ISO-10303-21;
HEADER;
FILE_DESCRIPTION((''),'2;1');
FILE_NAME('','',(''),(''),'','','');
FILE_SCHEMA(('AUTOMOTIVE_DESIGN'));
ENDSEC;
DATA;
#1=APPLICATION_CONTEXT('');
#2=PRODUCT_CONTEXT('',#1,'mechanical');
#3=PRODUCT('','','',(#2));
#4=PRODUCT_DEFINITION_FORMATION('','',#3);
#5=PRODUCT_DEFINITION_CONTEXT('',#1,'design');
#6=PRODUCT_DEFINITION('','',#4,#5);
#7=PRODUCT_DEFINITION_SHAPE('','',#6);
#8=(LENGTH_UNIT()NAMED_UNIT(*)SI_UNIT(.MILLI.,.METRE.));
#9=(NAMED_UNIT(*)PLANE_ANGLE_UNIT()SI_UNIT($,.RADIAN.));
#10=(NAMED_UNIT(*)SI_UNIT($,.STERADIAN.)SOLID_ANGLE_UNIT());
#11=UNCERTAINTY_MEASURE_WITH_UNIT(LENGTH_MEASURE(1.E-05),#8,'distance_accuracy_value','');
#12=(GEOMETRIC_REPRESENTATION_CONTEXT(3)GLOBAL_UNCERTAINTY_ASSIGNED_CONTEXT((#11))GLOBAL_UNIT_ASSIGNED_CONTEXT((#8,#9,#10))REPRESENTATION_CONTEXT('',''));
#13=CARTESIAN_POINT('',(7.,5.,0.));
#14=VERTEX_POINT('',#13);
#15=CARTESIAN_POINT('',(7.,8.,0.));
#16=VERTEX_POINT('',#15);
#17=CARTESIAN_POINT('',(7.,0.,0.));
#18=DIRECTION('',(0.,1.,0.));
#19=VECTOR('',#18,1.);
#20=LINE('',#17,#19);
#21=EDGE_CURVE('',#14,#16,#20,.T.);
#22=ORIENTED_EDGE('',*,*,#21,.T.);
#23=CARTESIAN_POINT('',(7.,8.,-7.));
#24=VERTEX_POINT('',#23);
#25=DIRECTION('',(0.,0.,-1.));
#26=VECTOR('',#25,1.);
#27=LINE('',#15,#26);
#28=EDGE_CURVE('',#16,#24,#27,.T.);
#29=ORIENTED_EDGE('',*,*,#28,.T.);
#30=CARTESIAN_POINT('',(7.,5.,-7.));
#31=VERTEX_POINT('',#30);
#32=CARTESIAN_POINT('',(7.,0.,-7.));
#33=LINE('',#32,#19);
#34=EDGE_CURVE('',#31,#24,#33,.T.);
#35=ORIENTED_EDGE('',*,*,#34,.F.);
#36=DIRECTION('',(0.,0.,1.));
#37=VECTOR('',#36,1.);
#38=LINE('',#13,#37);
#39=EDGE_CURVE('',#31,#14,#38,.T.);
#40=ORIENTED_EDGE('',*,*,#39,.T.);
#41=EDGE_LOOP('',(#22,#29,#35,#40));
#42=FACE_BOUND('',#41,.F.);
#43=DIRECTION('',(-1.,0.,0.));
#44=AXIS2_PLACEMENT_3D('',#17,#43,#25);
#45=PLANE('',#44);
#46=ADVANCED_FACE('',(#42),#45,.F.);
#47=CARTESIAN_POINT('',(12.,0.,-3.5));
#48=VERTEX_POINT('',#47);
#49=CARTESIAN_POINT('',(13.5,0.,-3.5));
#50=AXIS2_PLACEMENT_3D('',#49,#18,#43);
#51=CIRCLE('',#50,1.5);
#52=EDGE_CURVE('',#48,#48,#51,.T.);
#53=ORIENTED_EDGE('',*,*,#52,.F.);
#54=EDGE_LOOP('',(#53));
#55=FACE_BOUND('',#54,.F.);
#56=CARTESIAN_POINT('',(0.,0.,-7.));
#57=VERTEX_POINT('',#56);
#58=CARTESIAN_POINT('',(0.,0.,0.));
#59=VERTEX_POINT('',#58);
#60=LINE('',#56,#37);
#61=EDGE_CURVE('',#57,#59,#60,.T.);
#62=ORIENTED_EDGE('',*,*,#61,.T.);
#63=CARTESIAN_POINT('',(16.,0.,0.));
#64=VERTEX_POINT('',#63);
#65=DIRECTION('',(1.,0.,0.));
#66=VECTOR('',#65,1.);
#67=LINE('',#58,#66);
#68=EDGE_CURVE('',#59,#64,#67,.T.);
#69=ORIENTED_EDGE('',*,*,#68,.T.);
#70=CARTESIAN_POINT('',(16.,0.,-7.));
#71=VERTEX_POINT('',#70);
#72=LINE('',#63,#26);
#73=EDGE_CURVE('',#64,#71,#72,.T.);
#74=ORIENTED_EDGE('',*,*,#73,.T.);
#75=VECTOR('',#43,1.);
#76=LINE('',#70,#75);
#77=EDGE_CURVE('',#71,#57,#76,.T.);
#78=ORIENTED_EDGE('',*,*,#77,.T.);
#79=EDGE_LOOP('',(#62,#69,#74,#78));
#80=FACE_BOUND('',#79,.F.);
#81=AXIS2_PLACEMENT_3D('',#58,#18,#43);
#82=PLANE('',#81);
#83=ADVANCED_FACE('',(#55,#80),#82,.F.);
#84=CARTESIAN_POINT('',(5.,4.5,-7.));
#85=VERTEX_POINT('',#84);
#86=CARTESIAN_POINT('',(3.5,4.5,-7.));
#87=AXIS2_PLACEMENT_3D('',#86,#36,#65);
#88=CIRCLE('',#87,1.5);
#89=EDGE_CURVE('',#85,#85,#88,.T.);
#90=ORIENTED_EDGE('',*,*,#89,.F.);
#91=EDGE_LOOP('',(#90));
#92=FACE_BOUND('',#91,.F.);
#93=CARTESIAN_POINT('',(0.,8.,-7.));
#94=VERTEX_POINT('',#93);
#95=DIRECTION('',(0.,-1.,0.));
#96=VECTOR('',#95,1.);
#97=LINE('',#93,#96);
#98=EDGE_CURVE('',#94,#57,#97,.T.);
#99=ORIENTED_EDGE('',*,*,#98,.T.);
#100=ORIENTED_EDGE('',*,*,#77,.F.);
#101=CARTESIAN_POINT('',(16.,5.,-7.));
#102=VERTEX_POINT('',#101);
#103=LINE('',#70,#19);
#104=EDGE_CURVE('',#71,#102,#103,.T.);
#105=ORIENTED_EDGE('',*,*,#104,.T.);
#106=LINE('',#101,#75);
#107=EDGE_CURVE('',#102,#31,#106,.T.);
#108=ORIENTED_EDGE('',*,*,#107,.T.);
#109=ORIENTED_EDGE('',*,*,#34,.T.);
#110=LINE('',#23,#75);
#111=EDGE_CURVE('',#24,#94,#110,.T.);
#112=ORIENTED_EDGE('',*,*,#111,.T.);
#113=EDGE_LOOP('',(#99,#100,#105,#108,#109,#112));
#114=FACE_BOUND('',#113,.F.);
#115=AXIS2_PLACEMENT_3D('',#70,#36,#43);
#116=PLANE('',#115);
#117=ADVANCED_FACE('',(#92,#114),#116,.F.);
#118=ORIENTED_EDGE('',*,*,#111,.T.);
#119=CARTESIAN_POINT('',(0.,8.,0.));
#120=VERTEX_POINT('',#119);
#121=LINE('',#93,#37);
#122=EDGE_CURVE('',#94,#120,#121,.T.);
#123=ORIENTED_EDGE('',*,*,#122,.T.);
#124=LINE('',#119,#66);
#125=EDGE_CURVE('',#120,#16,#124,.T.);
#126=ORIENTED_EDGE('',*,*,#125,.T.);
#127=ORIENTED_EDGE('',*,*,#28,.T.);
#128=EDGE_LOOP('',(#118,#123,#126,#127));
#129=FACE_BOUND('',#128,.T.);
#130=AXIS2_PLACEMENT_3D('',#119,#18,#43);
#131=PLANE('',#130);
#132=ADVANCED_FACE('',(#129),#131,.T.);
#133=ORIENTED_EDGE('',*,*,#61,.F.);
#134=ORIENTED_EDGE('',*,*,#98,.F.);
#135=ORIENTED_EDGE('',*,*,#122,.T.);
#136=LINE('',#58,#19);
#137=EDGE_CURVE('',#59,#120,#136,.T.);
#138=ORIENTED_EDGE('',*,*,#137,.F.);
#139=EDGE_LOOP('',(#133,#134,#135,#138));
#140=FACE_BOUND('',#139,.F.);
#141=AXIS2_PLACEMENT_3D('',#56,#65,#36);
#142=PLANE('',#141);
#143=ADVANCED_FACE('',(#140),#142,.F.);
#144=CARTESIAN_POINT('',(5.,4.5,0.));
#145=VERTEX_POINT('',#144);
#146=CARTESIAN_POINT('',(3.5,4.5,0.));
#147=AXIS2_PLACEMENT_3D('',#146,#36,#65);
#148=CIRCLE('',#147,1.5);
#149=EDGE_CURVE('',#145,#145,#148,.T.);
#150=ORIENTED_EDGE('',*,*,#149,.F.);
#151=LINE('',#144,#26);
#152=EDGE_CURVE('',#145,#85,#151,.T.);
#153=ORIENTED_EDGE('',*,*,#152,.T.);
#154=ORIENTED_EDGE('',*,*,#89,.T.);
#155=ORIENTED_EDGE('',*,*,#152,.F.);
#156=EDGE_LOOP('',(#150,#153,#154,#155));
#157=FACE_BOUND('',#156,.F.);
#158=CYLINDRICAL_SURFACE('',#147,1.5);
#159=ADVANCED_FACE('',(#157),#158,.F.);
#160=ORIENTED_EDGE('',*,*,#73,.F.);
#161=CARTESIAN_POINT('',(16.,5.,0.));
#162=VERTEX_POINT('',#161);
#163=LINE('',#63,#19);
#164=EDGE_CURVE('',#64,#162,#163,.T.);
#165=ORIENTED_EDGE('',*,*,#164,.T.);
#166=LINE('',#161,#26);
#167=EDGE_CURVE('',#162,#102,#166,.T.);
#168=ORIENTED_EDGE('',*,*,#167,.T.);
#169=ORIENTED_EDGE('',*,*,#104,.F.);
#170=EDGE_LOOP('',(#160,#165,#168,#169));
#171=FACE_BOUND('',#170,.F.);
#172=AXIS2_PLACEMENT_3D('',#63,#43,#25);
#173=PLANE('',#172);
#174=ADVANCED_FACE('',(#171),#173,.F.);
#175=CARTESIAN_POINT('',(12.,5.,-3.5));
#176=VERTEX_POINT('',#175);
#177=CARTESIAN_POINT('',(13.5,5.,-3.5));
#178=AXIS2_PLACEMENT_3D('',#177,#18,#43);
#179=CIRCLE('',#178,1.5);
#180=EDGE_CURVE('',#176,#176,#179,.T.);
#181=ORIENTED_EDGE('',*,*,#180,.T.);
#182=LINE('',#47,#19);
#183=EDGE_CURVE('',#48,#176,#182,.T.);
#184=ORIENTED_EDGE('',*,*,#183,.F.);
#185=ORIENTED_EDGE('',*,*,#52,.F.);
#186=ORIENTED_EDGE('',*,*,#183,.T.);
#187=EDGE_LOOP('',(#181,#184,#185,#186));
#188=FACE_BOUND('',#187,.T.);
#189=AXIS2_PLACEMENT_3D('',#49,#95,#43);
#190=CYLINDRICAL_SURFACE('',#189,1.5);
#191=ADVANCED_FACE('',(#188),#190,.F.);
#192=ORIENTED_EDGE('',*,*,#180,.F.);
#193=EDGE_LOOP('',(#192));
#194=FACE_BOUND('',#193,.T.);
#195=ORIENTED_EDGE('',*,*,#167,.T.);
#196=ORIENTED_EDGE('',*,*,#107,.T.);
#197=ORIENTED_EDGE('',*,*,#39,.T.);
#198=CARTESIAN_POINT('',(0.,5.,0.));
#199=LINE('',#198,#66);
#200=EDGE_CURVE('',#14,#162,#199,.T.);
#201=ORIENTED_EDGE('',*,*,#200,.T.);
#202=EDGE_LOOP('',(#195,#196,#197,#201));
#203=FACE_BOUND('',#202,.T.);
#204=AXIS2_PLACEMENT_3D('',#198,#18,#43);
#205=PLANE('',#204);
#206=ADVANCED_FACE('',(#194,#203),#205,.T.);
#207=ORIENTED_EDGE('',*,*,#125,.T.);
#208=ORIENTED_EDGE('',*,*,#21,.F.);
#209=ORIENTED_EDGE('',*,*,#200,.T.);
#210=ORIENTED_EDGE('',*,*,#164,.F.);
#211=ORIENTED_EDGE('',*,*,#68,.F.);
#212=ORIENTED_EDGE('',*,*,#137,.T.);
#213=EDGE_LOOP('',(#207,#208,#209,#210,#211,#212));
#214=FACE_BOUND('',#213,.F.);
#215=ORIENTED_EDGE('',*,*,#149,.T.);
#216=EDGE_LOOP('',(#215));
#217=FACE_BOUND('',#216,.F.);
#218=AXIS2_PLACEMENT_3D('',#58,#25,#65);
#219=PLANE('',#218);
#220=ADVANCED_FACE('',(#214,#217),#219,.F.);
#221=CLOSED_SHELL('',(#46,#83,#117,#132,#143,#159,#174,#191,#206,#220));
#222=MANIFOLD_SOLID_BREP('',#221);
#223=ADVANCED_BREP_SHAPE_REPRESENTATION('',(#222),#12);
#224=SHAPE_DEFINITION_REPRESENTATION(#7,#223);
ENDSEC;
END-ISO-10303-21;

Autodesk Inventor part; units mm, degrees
ref_plane "YZ Plane" through (0, 0, 0) normal (1, 0, 0) x (0, 1, 0)
ref_plane "XZ Plane" through (0, 0, 0) normal (0, 1, 0) x (-1, 0, 0)
ref_plane "XY Plane" through (0, 0, 0) normal (0, 0, 1) x (1, 0, 0)
sketch "Эскиз1" plane through (0, 0, 0) normal (0, 1, 0) x (-1, 0, 0)
  line L0 (0, 0) -> (-16, 0)
  line L1 (-16, 0) -> (-16, -7)
  line L2 (-16, -7) -> (0, -7)
  line L3 (0, -7) -> (0, 0)
  circle A0 centre (-13.5, -3.5) radius 1.5
  dimension "d0" = 16
  dimension "d1" = 7
  dimension "d2" = 3
  dimension "d3" = 2.5
  dimension "d4" = 3.5
extrude "Выдавливание1" add sketch "Эскиз1" along normal blind 5
sketch "Эскиз2" plane through (0, 0, 0) normal (0, 1, 0) x (-1, 0, 0)
  line L0 (-16, 0) -> (-16, -7) construction
  line L1 (-16, -7) -> (0, -7) construction
  line L2 (0, -7) -> (0, 0) projected
  line L3 (0, 0) -> (-16, 0) construction
  circle A0 centre (-13.5, -3.5) radius 1.5 construction
  line L4 (0, 0) -> (-7, 0)
  line L5 (-7, 0) -> (-7, -7)
  line L6 (-7, -7) -> (0, -7)
  line L7 (0, -7) -> (0, 0)
  point P0 (0, -7)
  dimension "d7" = 7
  dimension "d8" = 7
extrude "Выдавливание2" add sketch "Эскиз2" along normal blind 8
sketch "Эскиз3" plane through (0, 0, 0) normal (0, 0, 1) x (1, 0, 0)
  line L0 (0, 0) -> (16, 0) construction
  line L1 (16, 0) -> (16, 5) construction
  line L2 (7, 5) -> (16, 5) construction
  line L3 (7, 5) -> (7, 8) construction
  line L4 (0, 8) -> (7, 8) construction
  line L5 (0, 0) -> (0, 8) construction
  circle A0 centre (3.5, 4.5) radius 1.5
  dimension "d11" = 3
  dimension "d12" = 3.5
  dimension "d13" = 3.5
extrude "Выдавливание3" cut sketch "Эскиз3" against normal blind 7
properties part number "angle_01"
